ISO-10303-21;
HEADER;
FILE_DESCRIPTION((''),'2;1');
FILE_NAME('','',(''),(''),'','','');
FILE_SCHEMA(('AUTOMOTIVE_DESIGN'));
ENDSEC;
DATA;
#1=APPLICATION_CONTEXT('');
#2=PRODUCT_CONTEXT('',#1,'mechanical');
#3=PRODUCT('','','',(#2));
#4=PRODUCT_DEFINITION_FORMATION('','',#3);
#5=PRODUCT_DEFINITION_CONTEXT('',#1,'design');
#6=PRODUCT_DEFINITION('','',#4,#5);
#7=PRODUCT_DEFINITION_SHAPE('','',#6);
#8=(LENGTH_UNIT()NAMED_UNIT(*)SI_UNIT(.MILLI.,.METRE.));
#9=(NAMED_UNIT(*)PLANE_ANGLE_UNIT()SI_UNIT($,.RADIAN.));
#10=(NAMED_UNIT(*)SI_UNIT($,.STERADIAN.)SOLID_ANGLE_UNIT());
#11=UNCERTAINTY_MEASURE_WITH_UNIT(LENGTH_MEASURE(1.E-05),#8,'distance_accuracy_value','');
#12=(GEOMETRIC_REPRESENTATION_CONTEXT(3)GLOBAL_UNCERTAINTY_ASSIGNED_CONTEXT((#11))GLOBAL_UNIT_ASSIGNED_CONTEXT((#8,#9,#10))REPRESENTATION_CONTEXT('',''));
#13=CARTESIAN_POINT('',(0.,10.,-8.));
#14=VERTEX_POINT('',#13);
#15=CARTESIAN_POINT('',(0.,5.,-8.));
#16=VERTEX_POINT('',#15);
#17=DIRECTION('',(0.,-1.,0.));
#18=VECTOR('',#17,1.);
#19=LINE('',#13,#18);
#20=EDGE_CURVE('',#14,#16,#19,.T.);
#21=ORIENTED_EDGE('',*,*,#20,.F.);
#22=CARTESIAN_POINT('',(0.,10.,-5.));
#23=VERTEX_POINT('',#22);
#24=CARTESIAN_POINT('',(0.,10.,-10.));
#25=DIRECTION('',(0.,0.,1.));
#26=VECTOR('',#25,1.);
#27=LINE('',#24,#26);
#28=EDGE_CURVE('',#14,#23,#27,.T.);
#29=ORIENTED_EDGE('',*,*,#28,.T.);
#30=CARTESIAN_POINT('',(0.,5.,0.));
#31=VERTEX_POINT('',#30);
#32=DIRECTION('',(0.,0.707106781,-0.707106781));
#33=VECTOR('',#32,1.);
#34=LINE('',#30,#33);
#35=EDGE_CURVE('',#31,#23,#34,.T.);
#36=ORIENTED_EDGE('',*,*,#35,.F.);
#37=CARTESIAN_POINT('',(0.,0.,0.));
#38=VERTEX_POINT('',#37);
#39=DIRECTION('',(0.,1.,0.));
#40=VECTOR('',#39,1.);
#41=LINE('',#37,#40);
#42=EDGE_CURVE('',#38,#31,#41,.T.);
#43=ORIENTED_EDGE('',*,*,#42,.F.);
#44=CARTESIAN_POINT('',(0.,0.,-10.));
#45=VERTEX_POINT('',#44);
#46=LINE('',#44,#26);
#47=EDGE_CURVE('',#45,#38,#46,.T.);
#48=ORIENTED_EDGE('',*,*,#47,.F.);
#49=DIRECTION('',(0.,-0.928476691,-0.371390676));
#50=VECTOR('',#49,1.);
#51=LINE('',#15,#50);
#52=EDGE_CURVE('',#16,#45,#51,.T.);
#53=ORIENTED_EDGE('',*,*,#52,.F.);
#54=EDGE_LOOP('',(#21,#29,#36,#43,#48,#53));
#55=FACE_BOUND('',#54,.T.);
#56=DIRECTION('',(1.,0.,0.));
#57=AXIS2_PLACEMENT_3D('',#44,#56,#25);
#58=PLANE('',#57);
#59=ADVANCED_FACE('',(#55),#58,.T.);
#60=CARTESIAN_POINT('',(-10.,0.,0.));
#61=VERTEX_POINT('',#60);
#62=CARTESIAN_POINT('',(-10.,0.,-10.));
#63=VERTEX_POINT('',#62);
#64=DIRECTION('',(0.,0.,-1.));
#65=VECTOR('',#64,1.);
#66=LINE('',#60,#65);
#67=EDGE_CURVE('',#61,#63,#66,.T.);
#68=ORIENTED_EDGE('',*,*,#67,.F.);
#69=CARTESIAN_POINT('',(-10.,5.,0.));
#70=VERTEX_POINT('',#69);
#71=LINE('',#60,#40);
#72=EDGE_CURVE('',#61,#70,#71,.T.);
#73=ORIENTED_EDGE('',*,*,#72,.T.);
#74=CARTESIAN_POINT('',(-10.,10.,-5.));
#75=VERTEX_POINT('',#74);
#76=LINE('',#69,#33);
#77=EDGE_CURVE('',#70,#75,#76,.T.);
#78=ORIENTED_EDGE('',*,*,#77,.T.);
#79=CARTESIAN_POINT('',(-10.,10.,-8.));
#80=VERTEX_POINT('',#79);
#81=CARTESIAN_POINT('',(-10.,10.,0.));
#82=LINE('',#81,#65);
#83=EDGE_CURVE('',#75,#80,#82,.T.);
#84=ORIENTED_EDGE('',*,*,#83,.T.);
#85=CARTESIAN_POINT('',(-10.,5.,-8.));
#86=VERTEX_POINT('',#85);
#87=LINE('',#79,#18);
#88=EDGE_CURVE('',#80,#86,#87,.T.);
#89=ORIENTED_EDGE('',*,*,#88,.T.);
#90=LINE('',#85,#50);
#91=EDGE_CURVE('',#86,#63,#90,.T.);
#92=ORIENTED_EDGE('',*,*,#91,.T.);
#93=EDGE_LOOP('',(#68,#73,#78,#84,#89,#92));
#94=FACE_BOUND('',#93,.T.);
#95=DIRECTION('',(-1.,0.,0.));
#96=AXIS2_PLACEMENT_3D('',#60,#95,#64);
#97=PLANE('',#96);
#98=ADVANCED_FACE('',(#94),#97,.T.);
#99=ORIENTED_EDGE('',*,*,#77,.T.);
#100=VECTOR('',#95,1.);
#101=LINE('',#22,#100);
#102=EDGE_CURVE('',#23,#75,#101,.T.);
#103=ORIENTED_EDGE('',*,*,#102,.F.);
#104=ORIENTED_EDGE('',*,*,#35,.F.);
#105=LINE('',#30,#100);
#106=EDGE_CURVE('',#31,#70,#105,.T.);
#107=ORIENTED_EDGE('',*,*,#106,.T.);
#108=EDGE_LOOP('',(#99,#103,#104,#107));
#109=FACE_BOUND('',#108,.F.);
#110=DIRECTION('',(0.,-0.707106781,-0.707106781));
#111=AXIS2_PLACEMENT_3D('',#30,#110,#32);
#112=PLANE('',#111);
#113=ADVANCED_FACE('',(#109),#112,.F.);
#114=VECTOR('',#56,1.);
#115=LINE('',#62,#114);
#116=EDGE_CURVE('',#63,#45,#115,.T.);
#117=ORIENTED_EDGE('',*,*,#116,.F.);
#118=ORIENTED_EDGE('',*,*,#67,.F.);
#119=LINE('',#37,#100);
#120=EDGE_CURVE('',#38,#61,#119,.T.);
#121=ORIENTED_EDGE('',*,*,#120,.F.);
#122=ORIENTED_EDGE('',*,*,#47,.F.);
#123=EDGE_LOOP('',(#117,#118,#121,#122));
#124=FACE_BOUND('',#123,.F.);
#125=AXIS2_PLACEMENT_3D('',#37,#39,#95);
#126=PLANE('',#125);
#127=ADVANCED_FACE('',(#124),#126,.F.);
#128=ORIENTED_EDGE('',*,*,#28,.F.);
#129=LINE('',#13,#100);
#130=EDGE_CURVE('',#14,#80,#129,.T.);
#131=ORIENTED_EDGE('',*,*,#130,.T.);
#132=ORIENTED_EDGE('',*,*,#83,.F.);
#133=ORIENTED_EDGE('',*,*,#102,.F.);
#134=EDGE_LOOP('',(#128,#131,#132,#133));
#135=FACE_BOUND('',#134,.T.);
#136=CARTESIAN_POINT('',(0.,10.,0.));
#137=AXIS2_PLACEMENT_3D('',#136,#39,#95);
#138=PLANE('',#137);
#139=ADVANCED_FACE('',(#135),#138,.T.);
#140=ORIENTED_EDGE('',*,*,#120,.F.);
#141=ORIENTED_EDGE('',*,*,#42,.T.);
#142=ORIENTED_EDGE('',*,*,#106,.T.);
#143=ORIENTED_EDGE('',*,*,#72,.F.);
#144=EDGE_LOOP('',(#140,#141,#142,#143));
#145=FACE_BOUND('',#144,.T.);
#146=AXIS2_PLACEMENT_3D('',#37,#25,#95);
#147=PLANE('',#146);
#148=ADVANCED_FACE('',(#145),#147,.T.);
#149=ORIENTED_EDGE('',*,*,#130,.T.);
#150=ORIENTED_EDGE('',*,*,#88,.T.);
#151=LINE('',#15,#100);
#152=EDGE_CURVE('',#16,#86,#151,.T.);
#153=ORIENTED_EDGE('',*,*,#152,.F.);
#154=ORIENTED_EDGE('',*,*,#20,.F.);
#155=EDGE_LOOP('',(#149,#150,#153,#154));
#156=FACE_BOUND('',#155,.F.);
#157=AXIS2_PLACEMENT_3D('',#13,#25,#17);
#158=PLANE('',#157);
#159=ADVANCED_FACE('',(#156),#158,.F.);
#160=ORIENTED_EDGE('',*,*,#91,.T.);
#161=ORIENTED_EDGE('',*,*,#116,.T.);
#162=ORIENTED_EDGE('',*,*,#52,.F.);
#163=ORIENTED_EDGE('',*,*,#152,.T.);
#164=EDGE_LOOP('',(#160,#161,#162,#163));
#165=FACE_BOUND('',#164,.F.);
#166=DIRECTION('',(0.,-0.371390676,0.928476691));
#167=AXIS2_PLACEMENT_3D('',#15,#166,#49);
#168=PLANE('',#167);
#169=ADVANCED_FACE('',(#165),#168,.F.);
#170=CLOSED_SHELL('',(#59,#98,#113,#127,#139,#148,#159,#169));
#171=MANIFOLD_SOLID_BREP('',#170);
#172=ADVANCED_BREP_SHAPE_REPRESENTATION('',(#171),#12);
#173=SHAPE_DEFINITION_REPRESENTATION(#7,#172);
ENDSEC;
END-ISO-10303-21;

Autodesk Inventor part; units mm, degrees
ref_plane "YZ Plane" through (0, 0, 0) normal (1, 0, 0) x (0, 1, 0)
ref_plane "XZ Plane" through (0, 0, 0) normal (0, 1, 0) x (-1, 0, 0)
ref_plane "XY Plane" through (0, 0, 0) normal (0, 0, 1) x (1, 0, 0)
sketch "Sketch1" plane through (0, 0, 0) normal (0, 1, 0) x (-1, 0, 0)
  line L0 (0, 0) -> (10, 0)
  line L1 (10, 0) -> (10, -10)
  line L2 (10, -10) -> (0, -10)
  line L3 (0, -10) -> (0, 0)
  dimension "d0" = 10
  dimension "d1" = 10
extrude "Extrusion1" add sketch "Sketch1" along normal blind 10
sketch "Sketch2" plane through (0, 0, 0) normal (1, 0, 0) x (0, 0, -1)
  line L0 (0, 10) -> (10, 10) projected
  line L1 (0, 0) -> (0, 10) projected
  line L2 (0, 5) -> (5, 10)
  line L3 (0, 10) -> (0, 5)
extrude "Extrusion2" cut sketch "Sketch2" against normal blind 10
sketch "Sketch3" plane through (0, 0, 0) normal (1, 0, 0) x (0, 0, -1)
  line L0 (10, 0) -> (10, 10) projected
  line L1 (5, 10) -> (10, 10) projected
  line L2 (8, 10) -> (8, 5)
  line L3 (8, 5) -> (10, 0)
  line L4 (10, 10) -> (8, 10)
extrude "Extrusion3" cut sketch "Sketch3" against normal blind 10
properties part number "141"
